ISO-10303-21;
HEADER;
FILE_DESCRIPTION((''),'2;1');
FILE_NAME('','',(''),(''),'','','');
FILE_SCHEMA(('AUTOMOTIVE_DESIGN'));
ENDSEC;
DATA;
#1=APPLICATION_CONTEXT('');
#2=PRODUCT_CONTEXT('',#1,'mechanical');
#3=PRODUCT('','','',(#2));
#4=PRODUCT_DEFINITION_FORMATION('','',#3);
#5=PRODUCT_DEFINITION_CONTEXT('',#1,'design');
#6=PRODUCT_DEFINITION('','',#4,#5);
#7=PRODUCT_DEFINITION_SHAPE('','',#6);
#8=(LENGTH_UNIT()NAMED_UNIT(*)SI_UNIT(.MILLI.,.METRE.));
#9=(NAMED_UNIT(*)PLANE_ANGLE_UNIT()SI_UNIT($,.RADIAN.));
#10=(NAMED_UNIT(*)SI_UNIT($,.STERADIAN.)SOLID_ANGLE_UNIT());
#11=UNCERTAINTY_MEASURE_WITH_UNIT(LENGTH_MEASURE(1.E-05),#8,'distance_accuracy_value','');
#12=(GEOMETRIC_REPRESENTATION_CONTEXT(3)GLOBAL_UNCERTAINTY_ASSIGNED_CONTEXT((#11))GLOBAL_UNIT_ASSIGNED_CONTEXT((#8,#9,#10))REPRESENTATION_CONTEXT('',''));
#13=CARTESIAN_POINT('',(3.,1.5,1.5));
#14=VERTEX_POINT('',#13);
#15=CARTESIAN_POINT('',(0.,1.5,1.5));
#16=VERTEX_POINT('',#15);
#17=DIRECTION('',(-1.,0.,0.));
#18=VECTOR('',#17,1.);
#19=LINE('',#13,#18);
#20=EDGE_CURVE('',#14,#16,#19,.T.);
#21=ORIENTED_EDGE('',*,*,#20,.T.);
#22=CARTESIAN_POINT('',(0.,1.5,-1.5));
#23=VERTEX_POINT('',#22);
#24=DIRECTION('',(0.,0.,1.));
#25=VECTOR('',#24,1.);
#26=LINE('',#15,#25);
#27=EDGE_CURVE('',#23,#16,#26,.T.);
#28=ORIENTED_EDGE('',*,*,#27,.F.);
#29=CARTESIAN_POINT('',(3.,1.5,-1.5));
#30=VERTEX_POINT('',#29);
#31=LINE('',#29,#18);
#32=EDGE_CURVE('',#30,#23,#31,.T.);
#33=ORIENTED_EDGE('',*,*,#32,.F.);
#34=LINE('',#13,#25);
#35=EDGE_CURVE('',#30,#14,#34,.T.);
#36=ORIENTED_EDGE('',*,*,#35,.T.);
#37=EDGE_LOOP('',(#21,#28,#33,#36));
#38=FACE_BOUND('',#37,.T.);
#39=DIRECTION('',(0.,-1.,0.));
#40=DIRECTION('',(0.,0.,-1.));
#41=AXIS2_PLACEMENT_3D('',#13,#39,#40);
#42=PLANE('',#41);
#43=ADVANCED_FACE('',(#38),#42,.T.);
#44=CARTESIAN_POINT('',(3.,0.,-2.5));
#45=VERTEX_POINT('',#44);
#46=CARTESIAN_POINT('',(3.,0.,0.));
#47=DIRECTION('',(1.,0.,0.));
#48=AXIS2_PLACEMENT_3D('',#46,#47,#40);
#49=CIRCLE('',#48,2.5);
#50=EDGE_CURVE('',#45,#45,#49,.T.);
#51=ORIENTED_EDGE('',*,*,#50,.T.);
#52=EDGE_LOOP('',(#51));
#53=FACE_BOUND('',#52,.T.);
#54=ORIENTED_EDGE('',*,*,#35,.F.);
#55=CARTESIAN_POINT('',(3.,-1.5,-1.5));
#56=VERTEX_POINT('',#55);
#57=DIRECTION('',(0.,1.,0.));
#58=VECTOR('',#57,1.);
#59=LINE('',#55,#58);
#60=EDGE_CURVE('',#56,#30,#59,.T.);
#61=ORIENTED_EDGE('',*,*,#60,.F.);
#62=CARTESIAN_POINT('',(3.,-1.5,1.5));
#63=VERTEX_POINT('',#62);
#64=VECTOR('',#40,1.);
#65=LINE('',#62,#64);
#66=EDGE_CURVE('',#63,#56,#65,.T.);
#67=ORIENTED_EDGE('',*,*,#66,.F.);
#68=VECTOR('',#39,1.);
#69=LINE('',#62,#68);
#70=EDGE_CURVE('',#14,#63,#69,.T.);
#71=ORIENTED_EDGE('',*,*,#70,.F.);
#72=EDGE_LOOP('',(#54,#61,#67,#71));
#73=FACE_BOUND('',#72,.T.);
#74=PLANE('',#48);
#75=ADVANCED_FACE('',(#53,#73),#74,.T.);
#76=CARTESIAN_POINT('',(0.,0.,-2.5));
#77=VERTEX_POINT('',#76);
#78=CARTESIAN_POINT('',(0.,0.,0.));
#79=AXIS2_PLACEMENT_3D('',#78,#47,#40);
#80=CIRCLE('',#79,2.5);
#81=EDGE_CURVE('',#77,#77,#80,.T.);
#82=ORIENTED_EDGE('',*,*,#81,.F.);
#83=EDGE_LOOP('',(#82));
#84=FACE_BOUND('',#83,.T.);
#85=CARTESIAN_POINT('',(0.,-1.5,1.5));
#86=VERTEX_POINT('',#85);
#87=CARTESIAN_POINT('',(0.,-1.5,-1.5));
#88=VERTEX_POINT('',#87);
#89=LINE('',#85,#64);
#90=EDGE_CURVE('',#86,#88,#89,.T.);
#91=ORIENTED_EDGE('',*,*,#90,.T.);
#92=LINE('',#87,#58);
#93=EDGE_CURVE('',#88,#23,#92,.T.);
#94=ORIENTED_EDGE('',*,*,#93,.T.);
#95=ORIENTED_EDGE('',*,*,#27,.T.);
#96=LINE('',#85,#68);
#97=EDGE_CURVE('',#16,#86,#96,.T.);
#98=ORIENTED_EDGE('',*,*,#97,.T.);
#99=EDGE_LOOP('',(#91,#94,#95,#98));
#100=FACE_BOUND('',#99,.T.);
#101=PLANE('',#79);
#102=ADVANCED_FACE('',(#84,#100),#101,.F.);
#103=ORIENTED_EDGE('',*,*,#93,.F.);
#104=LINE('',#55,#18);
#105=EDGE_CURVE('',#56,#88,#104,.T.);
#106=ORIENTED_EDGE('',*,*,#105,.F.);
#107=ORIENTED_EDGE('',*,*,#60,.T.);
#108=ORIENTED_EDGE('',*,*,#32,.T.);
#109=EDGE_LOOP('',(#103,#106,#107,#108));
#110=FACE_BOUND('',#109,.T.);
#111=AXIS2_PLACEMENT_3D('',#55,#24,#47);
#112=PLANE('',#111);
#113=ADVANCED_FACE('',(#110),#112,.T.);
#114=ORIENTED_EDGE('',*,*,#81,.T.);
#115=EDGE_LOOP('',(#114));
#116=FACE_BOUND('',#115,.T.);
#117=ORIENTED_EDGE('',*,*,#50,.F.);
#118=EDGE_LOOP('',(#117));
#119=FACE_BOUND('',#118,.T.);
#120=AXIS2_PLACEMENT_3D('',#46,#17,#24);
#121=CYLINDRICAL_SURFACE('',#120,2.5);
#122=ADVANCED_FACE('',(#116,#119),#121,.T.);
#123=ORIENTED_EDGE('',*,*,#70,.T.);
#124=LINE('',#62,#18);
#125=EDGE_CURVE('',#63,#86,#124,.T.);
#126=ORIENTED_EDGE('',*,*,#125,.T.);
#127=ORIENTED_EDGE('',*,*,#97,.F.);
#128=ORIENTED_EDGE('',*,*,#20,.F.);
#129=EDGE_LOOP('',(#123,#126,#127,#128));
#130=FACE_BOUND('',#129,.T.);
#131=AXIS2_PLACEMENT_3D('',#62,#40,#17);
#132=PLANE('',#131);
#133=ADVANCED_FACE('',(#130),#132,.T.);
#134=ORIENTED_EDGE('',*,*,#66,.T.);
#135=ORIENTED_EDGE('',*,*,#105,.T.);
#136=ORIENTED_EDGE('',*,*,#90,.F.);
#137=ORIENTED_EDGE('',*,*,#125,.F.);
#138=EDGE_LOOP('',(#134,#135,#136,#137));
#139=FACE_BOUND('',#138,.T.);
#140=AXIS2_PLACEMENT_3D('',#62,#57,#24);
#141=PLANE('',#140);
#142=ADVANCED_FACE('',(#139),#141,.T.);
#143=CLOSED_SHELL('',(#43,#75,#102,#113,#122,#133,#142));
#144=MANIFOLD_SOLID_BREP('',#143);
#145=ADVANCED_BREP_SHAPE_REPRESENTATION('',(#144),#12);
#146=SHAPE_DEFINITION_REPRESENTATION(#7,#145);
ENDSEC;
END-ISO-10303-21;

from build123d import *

# Parameters (mm, degrees)
SKETCH1_R           = 2.5
SKETCH1_W           = 3
SKETCH1_H           = 3
BOSS_EXTRUDE1_DEPTH = 3


with BuildPart() as part:
    # Sketch1 → Boss-Extrude1 (new body)
    with BuildSketch(Plane(origin=(0, 0, 0), x_dir=(0, 0, -1), z_dir=(1, 0, 0))):
        Circle(SKETCH1_R)
        Rectangle(SKETCH1_W, SKETCH1_H, mode=Mode.SUBTRACT)
    extrude(amount=BOSS_EXTRUDE1_DEPTH)


solid = part.part
